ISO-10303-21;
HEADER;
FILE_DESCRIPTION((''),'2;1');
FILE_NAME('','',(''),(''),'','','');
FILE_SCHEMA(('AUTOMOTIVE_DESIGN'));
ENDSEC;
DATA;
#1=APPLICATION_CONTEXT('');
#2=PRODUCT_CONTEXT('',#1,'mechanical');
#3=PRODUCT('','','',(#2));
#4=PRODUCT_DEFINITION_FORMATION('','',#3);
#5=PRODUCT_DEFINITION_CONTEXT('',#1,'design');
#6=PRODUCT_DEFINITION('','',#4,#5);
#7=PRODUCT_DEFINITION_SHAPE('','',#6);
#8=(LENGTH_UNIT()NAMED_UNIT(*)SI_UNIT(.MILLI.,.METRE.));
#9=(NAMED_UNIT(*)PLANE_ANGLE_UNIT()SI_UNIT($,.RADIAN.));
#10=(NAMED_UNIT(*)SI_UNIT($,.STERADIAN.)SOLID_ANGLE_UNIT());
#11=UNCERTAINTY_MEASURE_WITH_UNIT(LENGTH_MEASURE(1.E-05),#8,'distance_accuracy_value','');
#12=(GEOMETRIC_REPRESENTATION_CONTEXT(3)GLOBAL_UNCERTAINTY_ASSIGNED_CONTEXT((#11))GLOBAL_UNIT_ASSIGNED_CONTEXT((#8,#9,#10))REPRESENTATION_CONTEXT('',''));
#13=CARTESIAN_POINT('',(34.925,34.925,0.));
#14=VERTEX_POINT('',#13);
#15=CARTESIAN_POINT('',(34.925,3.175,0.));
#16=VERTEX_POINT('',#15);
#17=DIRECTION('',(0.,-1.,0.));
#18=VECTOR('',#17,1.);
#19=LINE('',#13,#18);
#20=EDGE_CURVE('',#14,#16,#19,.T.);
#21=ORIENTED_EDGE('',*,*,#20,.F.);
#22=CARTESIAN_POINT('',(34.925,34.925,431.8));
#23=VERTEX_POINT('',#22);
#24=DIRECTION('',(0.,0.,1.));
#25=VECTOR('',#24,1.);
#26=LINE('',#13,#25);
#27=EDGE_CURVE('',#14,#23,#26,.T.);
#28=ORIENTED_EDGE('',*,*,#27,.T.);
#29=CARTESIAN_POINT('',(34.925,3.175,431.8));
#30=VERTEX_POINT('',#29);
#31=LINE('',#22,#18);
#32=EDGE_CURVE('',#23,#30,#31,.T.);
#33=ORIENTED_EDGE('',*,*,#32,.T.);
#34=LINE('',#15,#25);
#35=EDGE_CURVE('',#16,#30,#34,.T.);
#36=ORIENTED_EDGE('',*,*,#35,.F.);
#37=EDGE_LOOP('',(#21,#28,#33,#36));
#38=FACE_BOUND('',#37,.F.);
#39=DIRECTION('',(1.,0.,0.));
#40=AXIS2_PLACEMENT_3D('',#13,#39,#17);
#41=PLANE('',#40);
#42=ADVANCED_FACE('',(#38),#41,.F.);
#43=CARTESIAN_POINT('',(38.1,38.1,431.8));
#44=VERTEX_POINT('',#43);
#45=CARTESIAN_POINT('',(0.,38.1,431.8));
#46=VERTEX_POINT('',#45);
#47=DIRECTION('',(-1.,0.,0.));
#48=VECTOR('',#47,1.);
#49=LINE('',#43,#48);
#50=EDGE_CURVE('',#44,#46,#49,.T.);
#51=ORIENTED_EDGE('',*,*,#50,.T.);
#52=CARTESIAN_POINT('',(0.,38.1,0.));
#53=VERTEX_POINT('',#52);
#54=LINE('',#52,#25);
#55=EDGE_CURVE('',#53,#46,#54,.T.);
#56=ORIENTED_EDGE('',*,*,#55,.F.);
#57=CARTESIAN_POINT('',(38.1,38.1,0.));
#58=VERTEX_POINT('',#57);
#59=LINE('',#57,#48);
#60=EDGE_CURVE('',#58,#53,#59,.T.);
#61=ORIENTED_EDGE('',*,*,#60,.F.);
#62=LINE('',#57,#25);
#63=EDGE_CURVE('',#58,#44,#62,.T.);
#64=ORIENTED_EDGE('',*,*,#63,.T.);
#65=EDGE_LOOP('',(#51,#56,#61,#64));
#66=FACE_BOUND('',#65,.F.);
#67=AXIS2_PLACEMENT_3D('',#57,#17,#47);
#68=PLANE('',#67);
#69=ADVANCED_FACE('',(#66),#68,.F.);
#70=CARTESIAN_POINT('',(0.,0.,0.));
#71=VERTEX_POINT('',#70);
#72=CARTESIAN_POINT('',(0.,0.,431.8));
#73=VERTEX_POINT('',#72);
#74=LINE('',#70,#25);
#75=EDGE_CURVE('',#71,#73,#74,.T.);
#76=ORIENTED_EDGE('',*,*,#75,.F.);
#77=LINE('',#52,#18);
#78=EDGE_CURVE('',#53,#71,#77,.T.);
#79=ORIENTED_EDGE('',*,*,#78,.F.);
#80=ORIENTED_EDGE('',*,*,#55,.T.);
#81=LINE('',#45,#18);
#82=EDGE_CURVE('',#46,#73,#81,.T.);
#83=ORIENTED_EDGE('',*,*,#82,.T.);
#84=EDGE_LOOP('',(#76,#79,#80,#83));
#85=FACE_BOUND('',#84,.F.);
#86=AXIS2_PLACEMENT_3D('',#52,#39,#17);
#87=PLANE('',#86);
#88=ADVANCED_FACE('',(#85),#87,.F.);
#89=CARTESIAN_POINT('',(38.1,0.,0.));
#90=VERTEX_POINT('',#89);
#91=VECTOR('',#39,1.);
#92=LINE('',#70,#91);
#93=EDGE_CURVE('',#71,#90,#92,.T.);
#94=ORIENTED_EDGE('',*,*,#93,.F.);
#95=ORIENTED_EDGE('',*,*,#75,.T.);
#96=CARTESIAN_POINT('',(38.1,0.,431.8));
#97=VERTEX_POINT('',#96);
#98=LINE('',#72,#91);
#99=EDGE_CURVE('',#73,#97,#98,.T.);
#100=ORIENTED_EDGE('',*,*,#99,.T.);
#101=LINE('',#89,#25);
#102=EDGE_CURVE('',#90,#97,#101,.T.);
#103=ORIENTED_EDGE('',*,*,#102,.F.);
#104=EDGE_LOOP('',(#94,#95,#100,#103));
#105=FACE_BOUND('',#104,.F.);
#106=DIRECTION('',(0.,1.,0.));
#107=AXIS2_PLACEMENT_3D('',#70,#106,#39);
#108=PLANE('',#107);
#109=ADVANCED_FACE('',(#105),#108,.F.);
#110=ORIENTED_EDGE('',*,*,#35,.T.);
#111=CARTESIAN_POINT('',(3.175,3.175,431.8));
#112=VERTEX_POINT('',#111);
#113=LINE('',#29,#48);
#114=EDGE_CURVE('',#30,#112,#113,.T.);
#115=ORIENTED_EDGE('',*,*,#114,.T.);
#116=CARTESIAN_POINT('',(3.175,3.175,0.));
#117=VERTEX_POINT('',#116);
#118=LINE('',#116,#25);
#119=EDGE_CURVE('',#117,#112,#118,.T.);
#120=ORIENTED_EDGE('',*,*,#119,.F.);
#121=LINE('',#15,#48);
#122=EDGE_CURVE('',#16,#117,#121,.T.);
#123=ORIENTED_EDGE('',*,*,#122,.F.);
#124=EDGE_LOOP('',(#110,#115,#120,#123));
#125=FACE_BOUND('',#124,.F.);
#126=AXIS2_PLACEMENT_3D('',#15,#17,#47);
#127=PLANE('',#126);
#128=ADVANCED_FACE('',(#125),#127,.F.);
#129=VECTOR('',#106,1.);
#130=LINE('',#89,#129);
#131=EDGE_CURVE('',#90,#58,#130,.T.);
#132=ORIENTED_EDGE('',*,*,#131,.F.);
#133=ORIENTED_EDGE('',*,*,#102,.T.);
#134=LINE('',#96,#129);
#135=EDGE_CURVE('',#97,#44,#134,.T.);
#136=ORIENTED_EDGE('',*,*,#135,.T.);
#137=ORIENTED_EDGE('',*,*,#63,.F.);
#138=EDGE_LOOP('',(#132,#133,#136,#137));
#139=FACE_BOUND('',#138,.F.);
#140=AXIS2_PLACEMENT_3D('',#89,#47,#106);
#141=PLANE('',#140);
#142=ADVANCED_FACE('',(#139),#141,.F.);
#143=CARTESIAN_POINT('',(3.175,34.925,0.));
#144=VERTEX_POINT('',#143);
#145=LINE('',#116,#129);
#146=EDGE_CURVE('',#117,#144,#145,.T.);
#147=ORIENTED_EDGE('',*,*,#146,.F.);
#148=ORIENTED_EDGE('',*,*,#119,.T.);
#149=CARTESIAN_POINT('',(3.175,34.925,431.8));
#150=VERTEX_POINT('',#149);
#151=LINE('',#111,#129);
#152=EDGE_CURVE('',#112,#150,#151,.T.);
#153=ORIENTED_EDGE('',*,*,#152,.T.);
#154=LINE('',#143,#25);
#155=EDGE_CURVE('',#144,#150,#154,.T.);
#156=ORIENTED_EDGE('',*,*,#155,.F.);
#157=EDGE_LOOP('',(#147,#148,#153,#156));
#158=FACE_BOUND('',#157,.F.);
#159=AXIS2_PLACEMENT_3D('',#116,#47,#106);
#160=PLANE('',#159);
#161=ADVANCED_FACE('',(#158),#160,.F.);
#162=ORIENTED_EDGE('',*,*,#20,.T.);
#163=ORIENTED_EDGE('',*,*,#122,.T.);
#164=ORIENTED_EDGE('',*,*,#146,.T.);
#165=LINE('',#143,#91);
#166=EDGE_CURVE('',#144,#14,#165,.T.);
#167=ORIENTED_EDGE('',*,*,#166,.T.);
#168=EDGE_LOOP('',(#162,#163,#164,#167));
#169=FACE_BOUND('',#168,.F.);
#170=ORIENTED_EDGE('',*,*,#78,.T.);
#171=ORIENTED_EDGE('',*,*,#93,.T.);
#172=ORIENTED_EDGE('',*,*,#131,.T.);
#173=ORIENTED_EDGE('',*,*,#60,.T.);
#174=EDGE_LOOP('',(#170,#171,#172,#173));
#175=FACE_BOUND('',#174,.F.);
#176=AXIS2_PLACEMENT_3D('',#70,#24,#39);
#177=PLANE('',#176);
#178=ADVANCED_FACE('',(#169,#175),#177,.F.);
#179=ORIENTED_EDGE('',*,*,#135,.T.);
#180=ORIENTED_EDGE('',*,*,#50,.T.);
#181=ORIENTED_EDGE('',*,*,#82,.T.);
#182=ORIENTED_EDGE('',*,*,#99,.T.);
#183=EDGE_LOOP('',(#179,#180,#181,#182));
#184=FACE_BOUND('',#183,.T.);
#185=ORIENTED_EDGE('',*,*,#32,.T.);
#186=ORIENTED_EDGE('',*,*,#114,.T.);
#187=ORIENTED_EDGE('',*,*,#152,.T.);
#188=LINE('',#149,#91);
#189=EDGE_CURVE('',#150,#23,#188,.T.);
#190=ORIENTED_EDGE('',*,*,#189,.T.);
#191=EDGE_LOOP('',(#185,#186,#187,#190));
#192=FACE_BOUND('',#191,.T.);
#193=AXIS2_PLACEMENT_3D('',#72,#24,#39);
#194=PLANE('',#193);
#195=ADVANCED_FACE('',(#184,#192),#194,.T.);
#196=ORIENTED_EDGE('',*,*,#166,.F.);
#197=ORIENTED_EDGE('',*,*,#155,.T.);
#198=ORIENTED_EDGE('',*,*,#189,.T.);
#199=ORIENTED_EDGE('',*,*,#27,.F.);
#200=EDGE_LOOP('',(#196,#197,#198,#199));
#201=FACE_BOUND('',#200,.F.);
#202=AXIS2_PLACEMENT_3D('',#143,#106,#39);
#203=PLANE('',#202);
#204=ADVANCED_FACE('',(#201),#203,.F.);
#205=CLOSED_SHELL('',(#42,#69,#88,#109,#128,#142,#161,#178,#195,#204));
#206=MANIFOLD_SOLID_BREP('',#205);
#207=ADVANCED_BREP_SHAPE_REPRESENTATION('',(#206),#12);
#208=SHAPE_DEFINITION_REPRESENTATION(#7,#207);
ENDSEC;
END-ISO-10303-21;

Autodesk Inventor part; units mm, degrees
ref_plane "YZ Plane" through (0, 0, 0) normal (1, 0, 0) x (0, 1, 0)
ref_plane "XZ Plane" through (0, 0, 0) normal (0, 1, 0) x (-1, 0, 0)
ref_plane "XY Plane" through (0, 0, 0) normal (0, 0, 1) x (1, 0, 0)
sketch "Sketch1" plane through (0, 0, 0) normal (0, 0, 1) x (1, 0, 0)
  line L0 (0, 0) -> (38.1, 0)
  line L1 (38.1, 0) -> (38.1, 38.1)
  line L2 (38.1, 38.1) -> (0, 38.1)
  line L3 (0, 38.1) -> (0, 0)
  line L4 (3.175, 34.925) -> (34.925, 34.925)
  line L5 (34.925, 34.925) -> (34.925, 3.175)
  line L6 (34.925, 3.175) -> (3.175, 3.175)
  line L7 (3.175, 3.175) -> (3.175, 34.925)
  dimension "d0" = 38.1
  dimension "d1" = 38.1
  dimension "d2" = 3.175
extrude "Extrusion1" add sketch "Sketch1" along normal blind 431.8
equation "\"d0\" = d1"
properties part number "testRoboRescue_Chassis_Frame_widthBar" material "Aluminum 6061"
